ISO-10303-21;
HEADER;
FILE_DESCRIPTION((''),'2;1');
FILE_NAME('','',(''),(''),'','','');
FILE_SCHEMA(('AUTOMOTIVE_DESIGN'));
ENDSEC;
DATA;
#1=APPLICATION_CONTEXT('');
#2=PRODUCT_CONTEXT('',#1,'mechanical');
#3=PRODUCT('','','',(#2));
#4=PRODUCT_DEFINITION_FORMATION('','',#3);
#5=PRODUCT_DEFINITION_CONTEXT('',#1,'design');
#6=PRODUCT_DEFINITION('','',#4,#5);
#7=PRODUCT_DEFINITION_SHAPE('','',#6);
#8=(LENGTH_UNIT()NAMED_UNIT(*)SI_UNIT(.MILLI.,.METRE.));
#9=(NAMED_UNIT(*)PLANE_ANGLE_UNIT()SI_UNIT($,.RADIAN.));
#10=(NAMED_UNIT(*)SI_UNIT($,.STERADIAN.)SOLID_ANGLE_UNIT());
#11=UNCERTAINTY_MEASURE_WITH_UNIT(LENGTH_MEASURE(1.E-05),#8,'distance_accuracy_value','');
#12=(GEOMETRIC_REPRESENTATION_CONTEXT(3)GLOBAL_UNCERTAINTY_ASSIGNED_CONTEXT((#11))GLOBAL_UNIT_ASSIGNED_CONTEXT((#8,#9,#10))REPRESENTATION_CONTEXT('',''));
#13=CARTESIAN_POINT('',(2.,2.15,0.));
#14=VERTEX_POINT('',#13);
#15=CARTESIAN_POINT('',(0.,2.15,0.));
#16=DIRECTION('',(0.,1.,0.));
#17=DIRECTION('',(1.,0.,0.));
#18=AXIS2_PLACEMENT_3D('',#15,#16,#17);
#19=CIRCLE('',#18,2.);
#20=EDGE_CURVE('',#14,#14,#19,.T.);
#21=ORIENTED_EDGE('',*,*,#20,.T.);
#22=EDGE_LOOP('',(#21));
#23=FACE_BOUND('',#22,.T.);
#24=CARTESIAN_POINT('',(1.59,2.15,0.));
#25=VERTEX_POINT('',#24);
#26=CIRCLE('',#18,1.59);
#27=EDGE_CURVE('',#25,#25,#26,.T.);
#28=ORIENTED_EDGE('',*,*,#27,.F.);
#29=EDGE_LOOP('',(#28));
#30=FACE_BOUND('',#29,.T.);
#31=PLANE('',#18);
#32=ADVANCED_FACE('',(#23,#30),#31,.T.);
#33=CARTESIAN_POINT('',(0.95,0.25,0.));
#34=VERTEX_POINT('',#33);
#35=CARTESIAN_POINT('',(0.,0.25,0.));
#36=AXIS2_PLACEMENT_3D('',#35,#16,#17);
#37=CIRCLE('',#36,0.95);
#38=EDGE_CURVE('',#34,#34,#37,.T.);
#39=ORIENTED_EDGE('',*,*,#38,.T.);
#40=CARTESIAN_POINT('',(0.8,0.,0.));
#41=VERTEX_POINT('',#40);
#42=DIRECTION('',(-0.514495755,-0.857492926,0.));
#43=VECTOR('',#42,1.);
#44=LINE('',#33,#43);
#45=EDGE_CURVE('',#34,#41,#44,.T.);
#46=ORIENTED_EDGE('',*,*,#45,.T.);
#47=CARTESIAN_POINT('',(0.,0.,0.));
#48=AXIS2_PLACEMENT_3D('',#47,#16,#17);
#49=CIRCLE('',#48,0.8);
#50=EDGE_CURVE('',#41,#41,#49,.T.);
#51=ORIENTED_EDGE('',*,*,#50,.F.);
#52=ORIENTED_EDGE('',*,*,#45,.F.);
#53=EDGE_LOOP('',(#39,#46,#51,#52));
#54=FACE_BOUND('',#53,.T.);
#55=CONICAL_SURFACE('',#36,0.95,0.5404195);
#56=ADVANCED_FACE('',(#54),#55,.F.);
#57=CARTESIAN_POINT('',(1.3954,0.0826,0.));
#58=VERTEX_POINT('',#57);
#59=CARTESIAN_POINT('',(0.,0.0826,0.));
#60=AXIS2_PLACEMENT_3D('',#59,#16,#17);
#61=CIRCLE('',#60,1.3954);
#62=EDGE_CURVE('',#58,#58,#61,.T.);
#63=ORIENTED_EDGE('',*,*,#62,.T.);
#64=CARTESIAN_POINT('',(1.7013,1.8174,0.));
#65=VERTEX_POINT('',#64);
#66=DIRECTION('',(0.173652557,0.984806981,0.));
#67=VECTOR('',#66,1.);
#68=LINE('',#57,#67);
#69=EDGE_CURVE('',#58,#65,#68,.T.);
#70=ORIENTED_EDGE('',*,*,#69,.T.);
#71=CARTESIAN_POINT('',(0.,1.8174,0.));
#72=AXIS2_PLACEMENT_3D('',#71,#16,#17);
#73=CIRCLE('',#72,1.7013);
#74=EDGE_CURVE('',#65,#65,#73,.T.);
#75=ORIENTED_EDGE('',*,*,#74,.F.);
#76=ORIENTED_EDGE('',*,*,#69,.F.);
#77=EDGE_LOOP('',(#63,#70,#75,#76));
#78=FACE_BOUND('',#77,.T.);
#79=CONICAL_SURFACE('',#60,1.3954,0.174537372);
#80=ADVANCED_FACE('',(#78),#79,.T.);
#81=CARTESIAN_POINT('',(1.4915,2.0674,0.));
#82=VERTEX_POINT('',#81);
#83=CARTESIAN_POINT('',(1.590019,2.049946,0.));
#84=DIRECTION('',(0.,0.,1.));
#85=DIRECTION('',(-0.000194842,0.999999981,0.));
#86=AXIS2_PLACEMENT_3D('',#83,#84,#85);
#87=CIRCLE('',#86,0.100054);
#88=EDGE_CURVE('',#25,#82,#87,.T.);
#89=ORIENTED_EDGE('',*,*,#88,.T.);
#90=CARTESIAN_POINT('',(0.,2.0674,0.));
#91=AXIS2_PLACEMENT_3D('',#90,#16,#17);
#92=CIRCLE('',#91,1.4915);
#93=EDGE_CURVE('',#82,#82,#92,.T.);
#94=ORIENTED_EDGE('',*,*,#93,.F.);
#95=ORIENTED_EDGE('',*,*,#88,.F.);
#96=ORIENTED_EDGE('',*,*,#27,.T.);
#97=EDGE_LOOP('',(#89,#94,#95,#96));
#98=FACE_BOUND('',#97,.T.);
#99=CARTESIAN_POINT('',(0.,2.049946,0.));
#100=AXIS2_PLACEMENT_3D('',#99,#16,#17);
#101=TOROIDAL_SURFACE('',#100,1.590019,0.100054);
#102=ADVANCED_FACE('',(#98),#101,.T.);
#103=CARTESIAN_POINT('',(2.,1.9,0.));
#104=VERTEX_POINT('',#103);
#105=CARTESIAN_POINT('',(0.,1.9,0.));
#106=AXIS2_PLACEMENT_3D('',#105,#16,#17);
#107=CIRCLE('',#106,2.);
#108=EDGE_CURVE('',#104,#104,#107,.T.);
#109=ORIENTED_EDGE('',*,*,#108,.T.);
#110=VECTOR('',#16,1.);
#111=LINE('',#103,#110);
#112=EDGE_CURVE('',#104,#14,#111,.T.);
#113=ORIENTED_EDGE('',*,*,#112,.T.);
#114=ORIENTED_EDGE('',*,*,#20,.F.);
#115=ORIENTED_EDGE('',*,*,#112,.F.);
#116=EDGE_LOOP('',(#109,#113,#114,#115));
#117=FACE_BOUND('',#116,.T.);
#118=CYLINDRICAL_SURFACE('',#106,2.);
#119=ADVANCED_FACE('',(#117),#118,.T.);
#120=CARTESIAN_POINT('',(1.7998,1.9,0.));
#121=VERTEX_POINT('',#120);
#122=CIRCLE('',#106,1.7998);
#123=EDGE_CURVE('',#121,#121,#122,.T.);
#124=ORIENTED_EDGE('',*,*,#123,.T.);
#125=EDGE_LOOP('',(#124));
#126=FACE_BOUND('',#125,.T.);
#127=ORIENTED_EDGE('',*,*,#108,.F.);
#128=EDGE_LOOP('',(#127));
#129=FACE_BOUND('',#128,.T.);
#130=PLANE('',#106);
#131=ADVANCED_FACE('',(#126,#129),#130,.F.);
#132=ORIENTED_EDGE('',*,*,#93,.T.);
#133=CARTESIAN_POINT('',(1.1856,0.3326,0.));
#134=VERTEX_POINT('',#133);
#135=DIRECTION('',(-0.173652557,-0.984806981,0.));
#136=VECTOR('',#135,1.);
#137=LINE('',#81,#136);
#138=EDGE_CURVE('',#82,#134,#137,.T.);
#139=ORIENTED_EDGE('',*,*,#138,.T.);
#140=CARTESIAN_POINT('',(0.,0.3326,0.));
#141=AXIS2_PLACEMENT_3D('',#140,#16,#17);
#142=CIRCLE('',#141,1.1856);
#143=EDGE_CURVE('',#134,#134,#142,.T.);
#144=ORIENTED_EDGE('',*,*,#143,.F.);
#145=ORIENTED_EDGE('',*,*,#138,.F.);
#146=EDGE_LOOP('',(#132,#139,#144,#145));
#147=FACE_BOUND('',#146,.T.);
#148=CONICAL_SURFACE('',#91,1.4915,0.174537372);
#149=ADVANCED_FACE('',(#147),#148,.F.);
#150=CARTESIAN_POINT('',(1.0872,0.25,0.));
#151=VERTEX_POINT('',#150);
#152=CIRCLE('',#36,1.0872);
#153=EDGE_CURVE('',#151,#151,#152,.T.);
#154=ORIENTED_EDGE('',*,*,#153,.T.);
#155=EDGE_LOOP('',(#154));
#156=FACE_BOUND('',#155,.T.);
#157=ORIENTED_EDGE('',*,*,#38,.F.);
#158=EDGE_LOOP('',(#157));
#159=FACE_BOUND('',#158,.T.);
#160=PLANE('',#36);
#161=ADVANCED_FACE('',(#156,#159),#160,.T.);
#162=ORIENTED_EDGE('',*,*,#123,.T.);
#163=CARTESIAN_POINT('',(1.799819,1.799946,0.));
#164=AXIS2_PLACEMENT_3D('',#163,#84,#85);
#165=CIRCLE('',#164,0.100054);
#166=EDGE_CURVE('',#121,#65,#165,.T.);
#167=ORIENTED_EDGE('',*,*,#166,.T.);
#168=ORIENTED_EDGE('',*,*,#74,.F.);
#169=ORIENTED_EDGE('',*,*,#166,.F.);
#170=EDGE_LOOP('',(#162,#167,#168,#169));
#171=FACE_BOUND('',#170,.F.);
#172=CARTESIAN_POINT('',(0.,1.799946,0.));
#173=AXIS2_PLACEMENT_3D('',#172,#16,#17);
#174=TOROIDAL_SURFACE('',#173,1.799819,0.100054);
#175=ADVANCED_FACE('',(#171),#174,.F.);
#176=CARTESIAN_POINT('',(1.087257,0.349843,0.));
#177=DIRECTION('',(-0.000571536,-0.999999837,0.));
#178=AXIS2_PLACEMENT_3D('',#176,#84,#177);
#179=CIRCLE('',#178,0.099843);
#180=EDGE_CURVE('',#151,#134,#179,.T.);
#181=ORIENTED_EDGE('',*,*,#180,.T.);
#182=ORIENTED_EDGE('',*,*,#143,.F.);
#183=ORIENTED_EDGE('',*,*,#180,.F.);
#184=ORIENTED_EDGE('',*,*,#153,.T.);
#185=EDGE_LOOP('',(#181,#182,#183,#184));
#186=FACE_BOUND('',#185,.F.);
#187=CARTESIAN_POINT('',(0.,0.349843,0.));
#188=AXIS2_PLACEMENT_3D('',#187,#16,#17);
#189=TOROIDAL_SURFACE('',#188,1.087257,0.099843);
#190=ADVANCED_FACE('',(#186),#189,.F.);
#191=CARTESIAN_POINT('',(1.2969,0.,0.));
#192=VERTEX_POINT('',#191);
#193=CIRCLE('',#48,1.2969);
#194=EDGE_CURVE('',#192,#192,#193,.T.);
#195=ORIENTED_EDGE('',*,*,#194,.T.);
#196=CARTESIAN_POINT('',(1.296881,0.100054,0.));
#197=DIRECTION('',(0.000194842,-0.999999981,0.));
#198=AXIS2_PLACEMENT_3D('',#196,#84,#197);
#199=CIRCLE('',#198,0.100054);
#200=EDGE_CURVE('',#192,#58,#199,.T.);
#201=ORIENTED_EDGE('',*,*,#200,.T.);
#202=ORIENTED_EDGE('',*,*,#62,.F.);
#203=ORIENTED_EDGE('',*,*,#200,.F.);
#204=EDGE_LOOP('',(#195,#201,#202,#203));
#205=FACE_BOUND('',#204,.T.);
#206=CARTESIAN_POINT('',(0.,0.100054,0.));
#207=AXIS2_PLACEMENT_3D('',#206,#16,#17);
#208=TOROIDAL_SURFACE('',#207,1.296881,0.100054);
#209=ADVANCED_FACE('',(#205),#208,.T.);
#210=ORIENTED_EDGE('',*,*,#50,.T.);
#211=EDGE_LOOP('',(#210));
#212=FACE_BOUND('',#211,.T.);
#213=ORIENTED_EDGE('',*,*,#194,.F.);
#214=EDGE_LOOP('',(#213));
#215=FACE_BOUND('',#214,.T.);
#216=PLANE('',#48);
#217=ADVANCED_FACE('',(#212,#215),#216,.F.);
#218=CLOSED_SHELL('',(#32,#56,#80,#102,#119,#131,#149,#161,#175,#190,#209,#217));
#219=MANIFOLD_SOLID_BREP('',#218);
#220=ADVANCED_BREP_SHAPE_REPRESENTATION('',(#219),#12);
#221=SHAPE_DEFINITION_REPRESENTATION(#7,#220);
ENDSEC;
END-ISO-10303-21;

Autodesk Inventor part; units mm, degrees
ref_plane "YZ Plane" through (0, 0, 0) normal (1, 0, 0) x (0, 1, 0)
ref_plane "XZ Plane" through (0, 0, 0) normal (0, 1, 0) x (-1, 0, 0)
ref_plane "XY Plane" through (0, 0, 0) normal (0, 0, 1) x (1, 0, 0)
sketch "Sketch1" plane through (0, 0, 0) normal (0, 0, 1) x (1, 0, 0)
  line L0 (0, 0) -> (0, 2.15)
  line L1 (0.8, 0) -> (1.2969, 0)
  line L2 (1.3954, 0.0826) -> (1.7013, 1.8174)
  line L3 (1.7998, 1.9) -> (2, 1.9)
  line L4 (2, 1.9) -> (2, 2.15)
  line L5 (2, 2.15) -> (1.59, 2.15)
  line L6 (1.4915, 2.0674) -> (1.1856, 0.3326)
  line L7 (1.0872, 0.25) -> (0.95, 0.25)
  line L8 (0.95, 0.25) -> (0.8, 0)
  arc A0 (1.59, 2.15) -> (1.4915, 2.0674) centre (1.59, 2.05) ccw
  arc A1 (1.7998, 1.9) -> (1.7013, 1.8174) centre (1.7998, 1.8) ccw
  arc A2 (1.0872, 0.25) -> (1.1856, 0.3326) centre (1.0872, 0.35) ccw
  arc A3 (1.2969, 0) -> (1.3954, 0.0826) centre (1.2969, 0.1) ccw
  point P0 (1.5061, 2.15)
  dimension "d0" = 1.6
  dimension "d2" = 1.9
  dimension "d3" = 0.25
  dimension "d4" = 2.15
  dimension "d5" = 80
  dimension "d6" = 0.1
  dimension "d8" = 3.18
  dimension "d9" = 4
  dimension "d10" = 0.25
  dimension "d11" = 0.25
  dimension "d12" = 0.1
revolve "Revolution1" add sketch "Sketch1" angle 360 about axis through (0, 0, 0) along (0, 1, 0)
properties part number "PP-08" material "Steel, Mild"
